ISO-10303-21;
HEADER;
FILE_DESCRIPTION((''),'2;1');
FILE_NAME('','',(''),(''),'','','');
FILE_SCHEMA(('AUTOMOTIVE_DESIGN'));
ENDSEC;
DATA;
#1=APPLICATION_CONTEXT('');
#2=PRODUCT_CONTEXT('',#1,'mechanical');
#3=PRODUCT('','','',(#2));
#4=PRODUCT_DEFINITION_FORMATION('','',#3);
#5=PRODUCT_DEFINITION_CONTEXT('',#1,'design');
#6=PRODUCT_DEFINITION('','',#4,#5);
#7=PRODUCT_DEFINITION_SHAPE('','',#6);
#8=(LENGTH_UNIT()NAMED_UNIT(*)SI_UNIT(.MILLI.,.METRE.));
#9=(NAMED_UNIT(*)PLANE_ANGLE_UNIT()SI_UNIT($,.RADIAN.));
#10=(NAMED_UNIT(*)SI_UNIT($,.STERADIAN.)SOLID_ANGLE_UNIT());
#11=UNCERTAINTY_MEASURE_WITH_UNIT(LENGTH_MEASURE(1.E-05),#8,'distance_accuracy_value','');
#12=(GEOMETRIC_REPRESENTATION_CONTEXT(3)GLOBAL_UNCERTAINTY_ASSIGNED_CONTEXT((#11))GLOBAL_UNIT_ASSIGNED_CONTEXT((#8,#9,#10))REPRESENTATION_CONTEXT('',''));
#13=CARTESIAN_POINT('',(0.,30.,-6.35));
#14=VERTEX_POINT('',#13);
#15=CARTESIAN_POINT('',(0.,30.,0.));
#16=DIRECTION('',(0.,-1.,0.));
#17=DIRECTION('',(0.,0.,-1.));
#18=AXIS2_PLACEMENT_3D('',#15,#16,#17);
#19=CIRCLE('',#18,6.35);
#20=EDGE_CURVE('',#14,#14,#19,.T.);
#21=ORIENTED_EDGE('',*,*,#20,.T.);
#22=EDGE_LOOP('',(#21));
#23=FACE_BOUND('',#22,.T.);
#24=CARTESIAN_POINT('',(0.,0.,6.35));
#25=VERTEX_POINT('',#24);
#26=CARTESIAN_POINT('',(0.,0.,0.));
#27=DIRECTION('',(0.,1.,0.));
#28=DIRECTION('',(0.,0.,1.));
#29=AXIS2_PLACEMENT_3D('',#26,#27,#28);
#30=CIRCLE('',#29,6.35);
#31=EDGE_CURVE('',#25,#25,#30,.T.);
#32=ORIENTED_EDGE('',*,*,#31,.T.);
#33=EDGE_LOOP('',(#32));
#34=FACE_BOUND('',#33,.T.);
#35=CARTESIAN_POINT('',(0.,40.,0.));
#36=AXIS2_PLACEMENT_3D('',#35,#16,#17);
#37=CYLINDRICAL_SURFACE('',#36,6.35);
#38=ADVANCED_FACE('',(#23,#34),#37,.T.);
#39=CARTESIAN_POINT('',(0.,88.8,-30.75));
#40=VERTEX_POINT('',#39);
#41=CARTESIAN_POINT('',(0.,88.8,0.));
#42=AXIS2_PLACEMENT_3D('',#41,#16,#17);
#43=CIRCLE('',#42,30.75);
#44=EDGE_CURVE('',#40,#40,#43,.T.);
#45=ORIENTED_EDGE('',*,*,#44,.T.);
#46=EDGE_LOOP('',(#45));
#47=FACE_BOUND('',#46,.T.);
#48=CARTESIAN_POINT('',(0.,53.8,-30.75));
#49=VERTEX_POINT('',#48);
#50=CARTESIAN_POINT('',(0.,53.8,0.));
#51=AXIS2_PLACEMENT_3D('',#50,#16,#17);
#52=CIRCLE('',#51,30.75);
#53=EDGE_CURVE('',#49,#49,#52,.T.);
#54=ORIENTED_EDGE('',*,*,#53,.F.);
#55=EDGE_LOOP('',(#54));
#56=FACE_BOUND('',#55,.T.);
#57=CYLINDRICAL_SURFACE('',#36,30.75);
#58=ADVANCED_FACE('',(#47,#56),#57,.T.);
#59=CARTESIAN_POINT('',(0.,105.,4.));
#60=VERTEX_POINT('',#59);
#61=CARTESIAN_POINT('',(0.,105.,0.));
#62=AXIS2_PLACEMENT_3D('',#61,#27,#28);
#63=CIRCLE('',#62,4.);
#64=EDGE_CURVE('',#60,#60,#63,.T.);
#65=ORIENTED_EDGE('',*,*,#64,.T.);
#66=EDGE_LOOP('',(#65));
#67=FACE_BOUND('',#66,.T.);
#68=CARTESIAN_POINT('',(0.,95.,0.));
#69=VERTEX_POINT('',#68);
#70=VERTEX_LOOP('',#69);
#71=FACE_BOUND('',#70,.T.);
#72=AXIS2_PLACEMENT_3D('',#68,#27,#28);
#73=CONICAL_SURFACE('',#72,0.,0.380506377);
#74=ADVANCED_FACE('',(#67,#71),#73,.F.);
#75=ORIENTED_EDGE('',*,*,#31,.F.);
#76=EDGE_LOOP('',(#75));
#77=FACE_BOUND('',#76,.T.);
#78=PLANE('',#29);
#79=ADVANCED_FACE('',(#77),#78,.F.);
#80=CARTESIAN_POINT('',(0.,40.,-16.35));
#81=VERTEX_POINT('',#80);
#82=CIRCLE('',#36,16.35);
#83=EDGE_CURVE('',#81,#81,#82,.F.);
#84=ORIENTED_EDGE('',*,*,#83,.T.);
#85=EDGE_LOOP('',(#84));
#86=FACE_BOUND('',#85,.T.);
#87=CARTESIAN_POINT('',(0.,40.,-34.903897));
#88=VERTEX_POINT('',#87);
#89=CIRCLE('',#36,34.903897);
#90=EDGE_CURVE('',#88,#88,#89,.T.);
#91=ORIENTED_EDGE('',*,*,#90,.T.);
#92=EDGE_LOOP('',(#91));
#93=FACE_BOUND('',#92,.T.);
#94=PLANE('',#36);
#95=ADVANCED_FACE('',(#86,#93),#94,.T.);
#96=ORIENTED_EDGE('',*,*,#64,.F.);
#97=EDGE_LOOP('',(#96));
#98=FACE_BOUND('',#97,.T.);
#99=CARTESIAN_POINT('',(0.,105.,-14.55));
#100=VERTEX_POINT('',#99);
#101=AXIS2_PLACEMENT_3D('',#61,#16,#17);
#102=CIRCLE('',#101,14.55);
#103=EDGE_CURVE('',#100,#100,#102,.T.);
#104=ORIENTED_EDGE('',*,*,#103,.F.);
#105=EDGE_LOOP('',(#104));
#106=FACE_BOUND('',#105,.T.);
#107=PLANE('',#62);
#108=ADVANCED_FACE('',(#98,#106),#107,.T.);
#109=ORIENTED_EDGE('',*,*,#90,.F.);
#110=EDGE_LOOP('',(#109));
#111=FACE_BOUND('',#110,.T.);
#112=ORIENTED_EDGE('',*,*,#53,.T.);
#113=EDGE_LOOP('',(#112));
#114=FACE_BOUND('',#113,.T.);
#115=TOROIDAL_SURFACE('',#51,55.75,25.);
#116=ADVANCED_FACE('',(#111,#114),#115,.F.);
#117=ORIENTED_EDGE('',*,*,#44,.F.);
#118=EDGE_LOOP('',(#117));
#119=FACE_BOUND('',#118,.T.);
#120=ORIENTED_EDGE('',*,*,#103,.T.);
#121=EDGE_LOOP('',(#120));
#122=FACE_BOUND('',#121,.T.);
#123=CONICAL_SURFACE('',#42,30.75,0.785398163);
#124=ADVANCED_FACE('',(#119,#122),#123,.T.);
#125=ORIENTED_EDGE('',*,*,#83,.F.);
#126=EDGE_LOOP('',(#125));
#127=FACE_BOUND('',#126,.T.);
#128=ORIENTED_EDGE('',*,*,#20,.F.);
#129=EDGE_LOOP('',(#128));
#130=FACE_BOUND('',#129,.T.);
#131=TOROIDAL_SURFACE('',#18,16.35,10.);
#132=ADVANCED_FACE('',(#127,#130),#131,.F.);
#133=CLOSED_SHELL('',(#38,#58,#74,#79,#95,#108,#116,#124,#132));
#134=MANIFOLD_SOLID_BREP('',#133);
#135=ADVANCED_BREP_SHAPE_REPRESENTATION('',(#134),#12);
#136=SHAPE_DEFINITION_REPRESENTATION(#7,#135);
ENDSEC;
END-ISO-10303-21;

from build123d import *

# Parameters (mm, degrees)
SKETCH2_R           = 6.35
BOSS_EXTRUDE1_DEPTH = 40
FILLET1_R           = 10
SKETCH5_R           = 4


with BuildPart() as part:
    # Sketch2 → Boss-Extrude1 (new body)
    with BuildSketch(Plane(origin=(0, 0, 0), x_dir=(1, 0, 0), z_dir=(0, 1, 0))):
        with Locations(Location((0, 0, 0), (0, 0, 270))):
            Circle(SKETCH2_R)
    extrude(amount=BOSS_EXTRUDE1_DEPTH)

    # Sketch4 → Revolve1 (revolve)
    with BuildSketch(Plane.XY, mode=Mode.PRIVATE) as revolve1_sk:
        with BuildLine():
            Line((0, 40), (34.903897247, 40))
            ThreePointArc((34.903897247, 40), (31.810988232, 46.594188763), (30.75, 53.8))
            Line((30.75, 53.8), (30.75, 88.8))
            Line((30.75, 88.8), (14.55, 105))
            Line((14.55, 105), (0, 105))
            Line((0, 105), (0, 40))
        make_face()
    revolve(revolve1_sk.sketch.rotate(Axis((0, 40, 0), (0, 1, 0)), 90), axis=Axis((0, 40, 0), (0, 1, 0)))

    # Fillet1
    fillet1_edges = [part.edges().sort_by_distance(p)[0] for p in [
        (0, 40, -6.35),
    ]]
    fillet(fillet1_edges, radius=FILLET1_R)

    # Sketch5 → Cut-Loft1 section 0
    with BuildSketch(Plane(origin=(0, 105, 0), x_dir=(1, 0, 0), z_dir=(0, 1, 0)), mode=Mode.PRIVATE) as cut_loft1_s0:
        Circle(SKETCH5_R)
    loft([Vertex(0, 95, 0), cut_loft1_s0.sketch], mode=Mode.SUBTRACT)


solid = part.part
